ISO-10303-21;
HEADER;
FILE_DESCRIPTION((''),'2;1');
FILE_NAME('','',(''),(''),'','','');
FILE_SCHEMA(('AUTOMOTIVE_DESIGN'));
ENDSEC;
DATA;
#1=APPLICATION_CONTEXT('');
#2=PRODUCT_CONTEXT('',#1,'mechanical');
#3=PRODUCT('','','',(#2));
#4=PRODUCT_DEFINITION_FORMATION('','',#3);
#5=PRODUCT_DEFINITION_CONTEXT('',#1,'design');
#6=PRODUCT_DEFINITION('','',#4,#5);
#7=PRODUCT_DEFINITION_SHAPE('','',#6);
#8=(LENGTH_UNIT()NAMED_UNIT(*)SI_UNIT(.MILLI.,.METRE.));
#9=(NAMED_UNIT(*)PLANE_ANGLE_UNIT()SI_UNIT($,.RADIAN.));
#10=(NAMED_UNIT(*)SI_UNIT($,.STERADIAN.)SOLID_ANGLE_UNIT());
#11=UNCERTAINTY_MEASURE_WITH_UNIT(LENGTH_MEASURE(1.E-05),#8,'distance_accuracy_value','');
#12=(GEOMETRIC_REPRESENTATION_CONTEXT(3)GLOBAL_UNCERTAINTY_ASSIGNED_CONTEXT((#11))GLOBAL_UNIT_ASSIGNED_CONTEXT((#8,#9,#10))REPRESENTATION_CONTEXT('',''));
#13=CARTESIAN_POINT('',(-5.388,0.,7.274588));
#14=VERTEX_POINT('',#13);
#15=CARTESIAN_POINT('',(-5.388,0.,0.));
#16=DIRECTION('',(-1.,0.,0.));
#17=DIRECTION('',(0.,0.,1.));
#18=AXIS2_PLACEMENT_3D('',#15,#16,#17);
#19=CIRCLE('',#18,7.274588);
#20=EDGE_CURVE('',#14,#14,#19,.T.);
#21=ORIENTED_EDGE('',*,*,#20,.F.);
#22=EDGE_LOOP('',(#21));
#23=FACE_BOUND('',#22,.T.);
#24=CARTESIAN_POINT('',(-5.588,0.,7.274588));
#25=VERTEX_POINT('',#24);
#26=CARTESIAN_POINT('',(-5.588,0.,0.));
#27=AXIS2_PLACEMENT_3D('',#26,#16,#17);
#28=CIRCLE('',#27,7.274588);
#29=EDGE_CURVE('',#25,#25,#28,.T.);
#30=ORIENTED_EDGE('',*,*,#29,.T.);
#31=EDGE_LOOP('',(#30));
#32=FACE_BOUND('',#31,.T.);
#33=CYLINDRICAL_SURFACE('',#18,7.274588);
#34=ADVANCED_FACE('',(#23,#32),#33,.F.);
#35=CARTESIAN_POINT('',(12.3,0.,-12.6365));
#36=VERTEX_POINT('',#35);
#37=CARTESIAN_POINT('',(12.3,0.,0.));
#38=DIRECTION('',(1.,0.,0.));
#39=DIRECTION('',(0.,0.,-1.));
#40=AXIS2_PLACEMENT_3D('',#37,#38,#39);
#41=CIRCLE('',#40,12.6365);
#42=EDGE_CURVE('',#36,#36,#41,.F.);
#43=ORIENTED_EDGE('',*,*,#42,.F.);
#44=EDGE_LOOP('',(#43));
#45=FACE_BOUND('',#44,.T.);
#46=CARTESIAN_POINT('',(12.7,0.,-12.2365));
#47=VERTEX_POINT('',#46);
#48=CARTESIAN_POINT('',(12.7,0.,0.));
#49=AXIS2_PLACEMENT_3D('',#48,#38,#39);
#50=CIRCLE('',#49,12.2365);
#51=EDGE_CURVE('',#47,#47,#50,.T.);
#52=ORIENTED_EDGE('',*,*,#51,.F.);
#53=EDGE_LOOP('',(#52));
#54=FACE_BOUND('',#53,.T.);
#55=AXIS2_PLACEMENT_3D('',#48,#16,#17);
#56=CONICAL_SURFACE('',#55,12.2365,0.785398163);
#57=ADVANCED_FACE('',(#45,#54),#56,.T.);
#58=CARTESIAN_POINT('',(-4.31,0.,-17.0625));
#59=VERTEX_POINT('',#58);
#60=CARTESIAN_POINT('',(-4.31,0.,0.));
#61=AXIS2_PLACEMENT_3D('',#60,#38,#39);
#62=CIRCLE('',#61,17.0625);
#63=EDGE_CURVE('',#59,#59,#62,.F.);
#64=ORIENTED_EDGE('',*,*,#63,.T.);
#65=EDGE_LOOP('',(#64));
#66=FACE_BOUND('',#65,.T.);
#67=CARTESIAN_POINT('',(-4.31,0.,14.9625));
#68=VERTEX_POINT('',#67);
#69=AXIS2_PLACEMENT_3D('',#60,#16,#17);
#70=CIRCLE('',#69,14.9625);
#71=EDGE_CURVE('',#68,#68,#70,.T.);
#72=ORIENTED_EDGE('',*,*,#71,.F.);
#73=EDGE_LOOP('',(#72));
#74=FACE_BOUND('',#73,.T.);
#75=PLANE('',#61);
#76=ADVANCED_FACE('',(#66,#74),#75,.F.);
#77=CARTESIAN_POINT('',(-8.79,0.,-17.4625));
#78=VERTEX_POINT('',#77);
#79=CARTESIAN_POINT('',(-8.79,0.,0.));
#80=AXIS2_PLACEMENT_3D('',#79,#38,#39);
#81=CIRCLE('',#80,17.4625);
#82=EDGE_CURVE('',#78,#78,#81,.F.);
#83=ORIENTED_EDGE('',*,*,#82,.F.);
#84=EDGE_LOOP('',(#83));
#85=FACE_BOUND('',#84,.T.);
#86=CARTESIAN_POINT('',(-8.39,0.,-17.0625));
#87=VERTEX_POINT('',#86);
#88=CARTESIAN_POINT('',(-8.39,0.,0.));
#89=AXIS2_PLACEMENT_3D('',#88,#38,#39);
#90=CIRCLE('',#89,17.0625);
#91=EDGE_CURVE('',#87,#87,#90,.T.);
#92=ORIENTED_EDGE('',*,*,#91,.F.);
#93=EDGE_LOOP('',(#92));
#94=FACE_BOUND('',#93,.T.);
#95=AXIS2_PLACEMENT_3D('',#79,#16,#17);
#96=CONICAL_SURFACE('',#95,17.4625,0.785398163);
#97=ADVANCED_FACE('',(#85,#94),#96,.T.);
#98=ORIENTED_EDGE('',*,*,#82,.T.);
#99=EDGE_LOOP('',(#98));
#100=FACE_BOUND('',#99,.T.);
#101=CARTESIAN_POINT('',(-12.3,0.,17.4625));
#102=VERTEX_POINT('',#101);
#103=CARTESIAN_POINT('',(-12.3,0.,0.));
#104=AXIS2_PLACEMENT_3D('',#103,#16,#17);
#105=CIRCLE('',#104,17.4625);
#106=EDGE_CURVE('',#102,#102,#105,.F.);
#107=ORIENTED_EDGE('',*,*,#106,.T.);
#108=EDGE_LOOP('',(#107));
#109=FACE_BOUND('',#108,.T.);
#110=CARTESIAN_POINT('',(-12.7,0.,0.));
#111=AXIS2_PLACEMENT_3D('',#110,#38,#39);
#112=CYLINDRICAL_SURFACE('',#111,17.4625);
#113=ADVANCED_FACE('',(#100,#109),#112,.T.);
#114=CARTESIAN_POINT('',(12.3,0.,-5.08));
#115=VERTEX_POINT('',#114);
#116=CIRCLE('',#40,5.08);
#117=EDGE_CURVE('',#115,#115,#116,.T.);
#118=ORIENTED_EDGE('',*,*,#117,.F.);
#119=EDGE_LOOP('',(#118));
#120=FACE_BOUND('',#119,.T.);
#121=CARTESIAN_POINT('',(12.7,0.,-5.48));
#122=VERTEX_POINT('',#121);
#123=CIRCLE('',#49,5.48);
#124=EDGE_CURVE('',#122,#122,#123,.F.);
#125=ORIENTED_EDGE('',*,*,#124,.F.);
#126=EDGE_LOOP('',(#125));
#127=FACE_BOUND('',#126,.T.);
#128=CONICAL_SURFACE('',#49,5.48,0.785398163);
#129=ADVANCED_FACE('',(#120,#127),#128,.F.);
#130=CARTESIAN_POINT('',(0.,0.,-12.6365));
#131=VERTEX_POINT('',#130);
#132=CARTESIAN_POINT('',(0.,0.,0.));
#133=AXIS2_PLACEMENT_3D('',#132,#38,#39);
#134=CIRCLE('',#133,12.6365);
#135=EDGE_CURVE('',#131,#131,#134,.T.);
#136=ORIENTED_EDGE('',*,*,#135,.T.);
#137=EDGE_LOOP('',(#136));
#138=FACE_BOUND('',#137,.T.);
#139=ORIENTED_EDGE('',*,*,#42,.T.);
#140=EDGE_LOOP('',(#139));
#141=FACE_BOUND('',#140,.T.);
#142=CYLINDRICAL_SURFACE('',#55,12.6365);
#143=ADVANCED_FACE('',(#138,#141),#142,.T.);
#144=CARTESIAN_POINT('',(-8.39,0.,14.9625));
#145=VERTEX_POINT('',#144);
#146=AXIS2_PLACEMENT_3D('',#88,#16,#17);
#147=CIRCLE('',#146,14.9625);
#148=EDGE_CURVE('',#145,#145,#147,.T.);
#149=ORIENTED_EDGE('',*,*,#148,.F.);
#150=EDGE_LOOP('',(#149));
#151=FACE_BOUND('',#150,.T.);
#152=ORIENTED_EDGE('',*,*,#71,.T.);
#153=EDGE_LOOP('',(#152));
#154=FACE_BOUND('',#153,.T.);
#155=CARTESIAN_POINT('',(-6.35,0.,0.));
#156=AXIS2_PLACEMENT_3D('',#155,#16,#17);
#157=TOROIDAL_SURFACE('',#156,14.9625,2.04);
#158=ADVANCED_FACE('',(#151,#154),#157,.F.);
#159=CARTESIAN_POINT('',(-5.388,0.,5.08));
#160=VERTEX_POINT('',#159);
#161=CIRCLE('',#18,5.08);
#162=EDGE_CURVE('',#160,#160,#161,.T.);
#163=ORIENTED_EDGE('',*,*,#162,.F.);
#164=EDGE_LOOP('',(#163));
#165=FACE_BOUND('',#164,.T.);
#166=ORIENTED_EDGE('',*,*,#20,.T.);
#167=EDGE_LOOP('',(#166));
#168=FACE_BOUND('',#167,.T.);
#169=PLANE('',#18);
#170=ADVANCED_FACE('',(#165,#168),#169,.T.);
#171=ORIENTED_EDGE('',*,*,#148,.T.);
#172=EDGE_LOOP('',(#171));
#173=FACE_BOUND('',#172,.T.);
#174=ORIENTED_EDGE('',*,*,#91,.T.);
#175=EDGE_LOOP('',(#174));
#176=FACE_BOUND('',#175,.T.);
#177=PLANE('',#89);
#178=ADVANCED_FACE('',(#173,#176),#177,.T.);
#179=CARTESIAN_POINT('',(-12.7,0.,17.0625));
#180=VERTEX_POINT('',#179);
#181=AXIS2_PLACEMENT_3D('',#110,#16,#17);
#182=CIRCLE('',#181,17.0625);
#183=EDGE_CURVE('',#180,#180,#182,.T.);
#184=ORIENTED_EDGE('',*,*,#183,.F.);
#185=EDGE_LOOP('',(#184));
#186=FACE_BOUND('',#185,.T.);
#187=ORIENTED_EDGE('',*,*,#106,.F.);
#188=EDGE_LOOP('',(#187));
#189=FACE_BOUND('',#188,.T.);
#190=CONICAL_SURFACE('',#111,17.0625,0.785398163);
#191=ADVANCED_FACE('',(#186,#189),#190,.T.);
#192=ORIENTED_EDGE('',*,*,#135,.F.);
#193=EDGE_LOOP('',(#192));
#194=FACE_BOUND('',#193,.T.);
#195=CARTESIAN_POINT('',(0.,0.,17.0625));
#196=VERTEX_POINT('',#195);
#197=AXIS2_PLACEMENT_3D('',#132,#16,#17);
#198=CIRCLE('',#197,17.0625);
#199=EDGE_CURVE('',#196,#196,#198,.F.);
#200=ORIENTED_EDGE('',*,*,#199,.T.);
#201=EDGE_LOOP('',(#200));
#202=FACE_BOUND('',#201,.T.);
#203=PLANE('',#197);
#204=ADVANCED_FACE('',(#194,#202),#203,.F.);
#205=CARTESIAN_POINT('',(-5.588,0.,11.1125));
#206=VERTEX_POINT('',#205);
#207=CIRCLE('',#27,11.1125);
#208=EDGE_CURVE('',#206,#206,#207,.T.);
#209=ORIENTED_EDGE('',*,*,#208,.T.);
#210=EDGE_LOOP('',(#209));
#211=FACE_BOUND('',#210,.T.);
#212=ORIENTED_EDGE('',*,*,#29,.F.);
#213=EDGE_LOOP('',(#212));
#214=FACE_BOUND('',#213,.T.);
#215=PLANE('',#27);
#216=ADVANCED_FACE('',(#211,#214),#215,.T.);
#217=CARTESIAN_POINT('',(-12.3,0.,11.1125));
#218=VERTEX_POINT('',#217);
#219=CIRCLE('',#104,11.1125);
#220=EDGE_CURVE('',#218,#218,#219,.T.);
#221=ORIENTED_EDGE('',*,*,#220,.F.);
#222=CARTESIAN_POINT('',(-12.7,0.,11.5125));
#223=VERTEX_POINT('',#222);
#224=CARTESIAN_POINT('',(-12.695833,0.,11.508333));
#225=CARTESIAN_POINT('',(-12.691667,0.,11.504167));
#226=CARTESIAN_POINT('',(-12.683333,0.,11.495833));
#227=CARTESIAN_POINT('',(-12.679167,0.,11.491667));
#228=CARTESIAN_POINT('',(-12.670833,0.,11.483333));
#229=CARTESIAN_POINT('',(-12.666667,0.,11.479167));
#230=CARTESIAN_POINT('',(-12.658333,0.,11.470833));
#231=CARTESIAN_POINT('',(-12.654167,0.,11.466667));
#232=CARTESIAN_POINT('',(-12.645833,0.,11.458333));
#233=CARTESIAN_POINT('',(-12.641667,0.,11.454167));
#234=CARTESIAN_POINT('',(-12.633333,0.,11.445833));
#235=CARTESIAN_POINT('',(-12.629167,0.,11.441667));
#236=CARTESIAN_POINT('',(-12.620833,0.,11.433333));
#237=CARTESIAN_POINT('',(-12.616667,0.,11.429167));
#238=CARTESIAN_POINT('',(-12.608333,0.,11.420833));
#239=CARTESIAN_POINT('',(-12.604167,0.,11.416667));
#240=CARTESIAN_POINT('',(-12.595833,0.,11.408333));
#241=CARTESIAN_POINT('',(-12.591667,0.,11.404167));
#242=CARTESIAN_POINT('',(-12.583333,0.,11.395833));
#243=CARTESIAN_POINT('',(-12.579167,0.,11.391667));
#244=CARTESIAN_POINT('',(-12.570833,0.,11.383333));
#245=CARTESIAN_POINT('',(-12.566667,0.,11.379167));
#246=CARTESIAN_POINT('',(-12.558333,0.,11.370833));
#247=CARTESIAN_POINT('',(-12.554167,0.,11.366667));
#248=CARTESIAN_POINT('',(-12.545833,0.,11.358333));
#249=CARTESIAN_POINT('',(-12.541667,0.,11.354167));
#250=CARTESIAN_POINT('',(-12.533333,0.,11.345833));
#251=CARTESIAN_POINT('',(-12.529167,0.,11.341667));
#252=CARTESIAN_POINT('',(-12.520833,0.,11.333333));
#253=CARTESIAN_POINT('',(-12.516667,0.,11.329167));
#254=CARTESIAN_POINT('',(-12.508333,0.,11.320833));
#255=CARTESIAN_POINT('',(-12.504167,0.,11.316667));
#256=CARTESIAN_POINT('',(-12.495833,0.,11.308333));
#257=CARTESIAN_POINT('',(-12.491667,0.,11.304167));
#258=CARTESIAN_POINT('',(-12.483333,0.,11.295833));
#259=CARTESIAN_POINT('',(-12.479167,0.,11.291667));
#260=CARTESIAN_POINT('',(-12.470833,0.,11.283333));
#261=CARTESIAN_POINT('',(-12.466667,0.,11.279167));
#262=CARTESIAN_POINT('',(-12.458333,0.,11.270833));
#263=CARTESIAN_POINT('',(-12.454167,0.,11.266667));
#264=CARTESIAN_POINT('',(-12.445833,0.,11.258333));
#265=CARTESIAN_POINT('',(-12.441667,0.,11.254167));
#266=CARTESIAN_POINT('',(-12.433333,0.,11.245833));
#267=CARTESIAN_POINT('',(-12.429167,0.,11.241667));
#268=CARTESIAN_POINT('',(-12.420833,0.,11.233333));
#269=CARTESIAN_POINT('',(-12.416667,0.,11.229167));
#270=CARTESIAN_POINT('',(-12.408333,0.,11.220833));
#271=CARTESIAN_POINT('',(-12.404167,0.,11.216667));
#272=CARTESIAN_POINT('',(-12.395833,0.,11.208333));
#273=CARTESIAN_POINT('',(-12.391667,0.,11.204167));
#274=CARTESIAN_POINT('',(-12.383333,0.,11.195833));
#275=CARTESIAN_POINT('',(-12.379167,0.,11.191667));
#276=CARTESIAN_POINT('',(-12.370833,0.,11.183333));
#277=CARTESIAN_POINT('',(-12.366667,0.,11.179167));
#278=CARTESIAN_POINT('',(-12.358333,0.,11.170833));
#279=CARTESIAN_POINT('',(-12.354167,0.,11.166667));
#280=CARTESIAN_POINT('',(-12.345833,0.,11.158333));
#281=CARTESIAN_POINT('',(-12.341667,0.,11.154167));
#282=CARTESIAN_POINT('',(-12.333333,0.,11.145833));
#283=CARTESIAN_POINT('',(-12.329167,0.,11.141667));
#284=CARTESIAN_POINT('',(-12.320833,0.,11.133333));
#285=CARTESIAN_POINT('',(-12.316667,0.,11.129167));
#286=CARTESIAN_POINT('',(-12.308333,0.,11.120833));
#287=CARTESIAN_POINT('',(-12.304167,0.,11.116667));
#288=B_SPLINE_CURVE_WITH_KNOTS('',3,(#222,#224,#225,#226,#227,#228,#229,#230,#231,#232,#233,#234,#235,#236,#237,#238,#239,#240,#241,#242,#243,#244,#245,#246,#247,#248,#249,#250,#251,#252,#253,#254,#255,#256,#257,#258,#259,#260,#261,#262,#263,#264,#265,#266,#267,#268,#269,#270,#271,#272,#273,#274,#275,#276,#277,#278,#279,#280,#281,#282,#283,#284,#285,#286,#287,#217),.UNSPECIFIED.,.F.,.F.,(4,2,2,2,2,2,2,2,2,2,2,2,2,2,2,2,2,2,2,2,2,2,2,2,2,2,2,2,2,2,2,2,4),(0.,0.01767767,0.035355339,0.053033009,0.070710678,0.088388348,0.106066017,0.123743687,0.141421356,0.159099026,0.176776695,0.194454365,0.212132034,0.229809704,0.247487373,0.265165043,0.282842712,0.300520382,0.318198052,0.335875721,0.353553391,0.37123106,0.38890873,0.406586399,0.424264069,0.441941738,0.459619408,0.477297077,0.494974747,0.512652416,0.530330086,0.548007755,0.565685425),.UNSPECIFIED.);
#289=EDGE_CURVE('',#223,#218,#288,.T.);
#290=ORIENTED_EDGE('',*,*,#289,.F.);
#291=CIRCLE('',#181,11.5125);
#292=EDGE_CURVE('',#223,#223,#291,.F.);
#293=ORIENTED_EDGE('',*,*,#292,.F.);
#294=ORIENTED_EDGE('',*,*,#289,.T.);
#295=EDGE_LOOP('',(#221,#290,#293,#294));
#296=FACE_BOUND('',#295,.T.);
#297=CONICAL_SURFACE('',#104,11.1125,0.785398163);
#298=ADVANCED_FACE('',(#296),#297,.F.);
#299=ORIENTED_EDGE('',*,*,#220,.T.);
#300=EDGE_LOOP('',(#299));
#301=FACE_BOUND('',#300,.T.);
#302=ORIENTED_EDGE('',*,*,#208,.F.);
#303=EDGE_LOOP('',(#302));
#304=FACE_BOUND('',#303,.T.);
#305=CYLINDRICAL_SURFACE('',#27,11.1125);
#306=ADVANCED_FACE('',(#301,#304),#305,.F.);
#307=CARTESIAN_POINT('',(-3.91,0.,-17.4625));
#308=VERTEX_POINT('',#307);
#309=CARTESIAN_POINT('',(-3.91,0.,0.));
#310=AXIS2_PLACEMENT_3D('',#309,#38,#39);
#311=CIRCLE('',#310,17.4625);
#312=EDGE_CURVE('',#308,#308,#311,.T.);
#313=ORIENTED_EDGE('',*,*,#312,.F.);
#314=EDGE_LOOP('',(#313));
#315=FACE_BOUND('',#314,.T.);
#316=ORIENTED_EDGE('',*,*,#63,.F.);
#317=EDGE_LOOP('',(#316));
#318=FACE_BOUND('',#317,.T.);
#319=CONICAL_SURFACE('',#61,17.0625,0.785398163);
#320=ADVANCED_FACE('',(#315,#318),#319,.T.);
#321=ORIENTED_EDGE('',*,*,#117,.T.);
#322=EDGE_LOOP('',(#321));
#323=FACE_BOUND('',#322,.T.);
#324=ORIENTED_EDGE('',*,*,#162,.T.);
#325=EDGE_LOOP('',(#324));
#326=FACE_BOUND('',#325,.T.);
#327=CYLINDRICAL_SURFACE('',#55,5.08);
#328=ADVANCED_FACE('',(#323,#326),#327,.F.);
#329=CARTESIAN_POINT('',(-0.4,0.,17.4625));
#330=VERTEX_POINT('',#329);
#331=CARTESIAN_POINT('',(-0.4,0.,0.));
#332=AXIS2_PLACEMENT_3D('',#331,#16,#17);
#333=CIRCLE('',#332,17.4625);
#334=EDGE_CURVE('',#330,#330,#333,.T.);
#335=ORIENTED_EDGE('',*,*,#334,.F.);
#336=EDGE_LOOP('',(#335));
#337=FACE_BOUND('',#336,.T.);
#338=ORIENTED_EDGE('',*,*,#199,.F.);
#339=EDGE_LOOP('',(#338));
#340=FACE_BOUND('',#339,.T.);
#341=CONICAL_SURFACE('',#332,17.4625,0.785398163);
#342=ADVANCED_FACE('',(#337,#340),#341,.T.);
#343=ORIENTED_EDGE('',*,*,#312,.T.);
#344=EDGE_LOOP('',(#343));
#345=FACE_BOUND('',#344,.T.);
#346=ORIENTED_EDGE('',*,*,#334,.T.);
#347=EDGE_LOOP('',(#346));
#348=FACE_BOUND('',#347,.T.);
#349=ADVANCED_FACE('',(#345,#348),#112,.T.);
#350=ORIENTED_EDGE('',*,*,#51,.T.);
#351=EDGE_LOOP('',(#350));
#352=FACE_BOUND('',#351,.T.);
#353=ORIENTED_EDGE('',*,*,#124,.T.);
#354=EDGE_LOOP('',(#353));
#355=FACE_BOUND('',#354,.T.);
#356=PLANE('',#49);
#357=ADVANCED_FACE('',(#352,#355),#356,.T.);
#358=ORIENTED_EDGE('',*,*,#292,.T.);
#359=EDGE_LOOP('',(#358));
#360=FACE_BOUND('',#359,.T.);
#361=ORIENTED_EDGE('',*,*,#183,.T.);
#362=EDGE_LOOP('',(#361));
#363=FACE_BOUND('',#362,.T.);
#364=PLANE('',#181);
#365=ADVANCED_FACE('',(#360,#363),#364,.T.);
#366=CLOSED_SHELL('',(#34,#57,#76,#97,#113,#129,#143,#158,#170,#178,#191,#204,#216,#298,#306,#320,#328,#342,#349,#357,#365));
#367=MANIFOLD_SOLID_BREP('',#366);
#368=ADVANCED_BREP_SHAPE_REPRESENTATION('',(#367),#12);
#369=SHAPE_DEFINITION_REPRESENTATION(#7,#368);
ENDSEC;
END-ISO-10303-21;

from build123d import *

# Parameters (mm, degrees)
SKETCH1_R           = 12.6365
BOSS_EXTRUDE1_DEPTH = 12.7
SKETCH2_R           = 17.4625
BOSS_EXTRUDE2_DEPTH = 12.7
SKETCH3_R           = 11.1125
CUT_EXTRUDE1_DEPTH  = 7.112
SKETCH4_R           = 7.27458794
CUT_EXTRUDE2_DEPTH  = 0.2
SKETCH5_R           = 5.08
CUT_EXTRUDE3_DEPTH  = 31.611330525
CHAMFER1_SIZE       = 0.4


with BuildPart() as part:
    # Sketch1 → Boss-Extrude1 (new body)
    with BuildSketch(Plane(origin=(0, 0, 0), x_dir=(0, 0, -1), z_dir=(1, 0, 0))):
        Circle(SKETCH1_R)
    extrude(amount=BOSS_EXTRUDE1_DEPTH)

    # Sketch2 → Boss-Extrude2 (add)
    with BuildSketch(Plane.ZY):
        Circle(SKETCH2_R)
    extrude(amount=BOSS_EXTRUDE2_DEPTH)

    # Sketch3 → Cut-Extrude1 (cut)
    with BuildSketch(Plane.ZY.offset(12.7)):
        Circle(SKETCH3_R)
    extrude(amount=-CUT_EXTRUDE1_DEPTH, mode=Mode.SUBTRACT)

    # Sketch4 → Cut-Extrude2 (cut)
    with BuildSketch(Plane.ZY.offset(5.588)):
        Circle(SKETCH4_R)
    extrude(amount=-CUT_EXTRUDE2_DEPTH, mode=Mode.SUBTRACT)

    # Sketch5 → Cut-Extrude3 (cut, through all)
    with BuildSketch(Plane.ZY.offset(5.388)):
        Circle(SKETCH5_R)
    extrude(amount=-CUT_EXTRUDE3_DEPTH, mode=Mode.SUBTRACT)

    # Sketch6 → Cut-Revolve1 (revolve, cut)
    with BuildSketch(Plane.XY, mode=Mode.PRIVATE) as cut_revolve1_sk:
        with BuildLine():
            Line((-8.389999984, 17.4625), (-8.389999984, 14.96249992))
            ThreePointArc((-8.389999984, 14.96249992), (-6.35, 12.922499936), (-4.310000016, 14.96249992))
            Line((-4.310000016, 14.96249992), (-4.310000016, 17.4625))
            Line((-4.310000016, 17.4625), (-8.389999984, 17.4625))
        make_face()
    revolve(cut_revolve1_sk.sketch.rotate(Axis((-6.35, 0, 0), (1, 0, 0)), 90), axis=Axis((-6.35, 0, 0), (1, 0, 0)), mode=Mode.SUBTRACT)

    # Chamfer1
    chamfer1_edges = [part.edges().sort_by_distance(p)[0] for p in [
        (-12.7, 0, -11.1125),
        (12.7, 0, -5.08),
        (-8.389999984, 0, -17.4625),
        (-4.310000016, 0, -17.4625),
        (12.7, 0, 12.6365),
        (0, 0, -17.4625),
        (-12.7, 0, -17.4625),
    ]]
    chamfer(chamfer1_edges, length=CHAMFER1_SIZE)


solid = part.part
